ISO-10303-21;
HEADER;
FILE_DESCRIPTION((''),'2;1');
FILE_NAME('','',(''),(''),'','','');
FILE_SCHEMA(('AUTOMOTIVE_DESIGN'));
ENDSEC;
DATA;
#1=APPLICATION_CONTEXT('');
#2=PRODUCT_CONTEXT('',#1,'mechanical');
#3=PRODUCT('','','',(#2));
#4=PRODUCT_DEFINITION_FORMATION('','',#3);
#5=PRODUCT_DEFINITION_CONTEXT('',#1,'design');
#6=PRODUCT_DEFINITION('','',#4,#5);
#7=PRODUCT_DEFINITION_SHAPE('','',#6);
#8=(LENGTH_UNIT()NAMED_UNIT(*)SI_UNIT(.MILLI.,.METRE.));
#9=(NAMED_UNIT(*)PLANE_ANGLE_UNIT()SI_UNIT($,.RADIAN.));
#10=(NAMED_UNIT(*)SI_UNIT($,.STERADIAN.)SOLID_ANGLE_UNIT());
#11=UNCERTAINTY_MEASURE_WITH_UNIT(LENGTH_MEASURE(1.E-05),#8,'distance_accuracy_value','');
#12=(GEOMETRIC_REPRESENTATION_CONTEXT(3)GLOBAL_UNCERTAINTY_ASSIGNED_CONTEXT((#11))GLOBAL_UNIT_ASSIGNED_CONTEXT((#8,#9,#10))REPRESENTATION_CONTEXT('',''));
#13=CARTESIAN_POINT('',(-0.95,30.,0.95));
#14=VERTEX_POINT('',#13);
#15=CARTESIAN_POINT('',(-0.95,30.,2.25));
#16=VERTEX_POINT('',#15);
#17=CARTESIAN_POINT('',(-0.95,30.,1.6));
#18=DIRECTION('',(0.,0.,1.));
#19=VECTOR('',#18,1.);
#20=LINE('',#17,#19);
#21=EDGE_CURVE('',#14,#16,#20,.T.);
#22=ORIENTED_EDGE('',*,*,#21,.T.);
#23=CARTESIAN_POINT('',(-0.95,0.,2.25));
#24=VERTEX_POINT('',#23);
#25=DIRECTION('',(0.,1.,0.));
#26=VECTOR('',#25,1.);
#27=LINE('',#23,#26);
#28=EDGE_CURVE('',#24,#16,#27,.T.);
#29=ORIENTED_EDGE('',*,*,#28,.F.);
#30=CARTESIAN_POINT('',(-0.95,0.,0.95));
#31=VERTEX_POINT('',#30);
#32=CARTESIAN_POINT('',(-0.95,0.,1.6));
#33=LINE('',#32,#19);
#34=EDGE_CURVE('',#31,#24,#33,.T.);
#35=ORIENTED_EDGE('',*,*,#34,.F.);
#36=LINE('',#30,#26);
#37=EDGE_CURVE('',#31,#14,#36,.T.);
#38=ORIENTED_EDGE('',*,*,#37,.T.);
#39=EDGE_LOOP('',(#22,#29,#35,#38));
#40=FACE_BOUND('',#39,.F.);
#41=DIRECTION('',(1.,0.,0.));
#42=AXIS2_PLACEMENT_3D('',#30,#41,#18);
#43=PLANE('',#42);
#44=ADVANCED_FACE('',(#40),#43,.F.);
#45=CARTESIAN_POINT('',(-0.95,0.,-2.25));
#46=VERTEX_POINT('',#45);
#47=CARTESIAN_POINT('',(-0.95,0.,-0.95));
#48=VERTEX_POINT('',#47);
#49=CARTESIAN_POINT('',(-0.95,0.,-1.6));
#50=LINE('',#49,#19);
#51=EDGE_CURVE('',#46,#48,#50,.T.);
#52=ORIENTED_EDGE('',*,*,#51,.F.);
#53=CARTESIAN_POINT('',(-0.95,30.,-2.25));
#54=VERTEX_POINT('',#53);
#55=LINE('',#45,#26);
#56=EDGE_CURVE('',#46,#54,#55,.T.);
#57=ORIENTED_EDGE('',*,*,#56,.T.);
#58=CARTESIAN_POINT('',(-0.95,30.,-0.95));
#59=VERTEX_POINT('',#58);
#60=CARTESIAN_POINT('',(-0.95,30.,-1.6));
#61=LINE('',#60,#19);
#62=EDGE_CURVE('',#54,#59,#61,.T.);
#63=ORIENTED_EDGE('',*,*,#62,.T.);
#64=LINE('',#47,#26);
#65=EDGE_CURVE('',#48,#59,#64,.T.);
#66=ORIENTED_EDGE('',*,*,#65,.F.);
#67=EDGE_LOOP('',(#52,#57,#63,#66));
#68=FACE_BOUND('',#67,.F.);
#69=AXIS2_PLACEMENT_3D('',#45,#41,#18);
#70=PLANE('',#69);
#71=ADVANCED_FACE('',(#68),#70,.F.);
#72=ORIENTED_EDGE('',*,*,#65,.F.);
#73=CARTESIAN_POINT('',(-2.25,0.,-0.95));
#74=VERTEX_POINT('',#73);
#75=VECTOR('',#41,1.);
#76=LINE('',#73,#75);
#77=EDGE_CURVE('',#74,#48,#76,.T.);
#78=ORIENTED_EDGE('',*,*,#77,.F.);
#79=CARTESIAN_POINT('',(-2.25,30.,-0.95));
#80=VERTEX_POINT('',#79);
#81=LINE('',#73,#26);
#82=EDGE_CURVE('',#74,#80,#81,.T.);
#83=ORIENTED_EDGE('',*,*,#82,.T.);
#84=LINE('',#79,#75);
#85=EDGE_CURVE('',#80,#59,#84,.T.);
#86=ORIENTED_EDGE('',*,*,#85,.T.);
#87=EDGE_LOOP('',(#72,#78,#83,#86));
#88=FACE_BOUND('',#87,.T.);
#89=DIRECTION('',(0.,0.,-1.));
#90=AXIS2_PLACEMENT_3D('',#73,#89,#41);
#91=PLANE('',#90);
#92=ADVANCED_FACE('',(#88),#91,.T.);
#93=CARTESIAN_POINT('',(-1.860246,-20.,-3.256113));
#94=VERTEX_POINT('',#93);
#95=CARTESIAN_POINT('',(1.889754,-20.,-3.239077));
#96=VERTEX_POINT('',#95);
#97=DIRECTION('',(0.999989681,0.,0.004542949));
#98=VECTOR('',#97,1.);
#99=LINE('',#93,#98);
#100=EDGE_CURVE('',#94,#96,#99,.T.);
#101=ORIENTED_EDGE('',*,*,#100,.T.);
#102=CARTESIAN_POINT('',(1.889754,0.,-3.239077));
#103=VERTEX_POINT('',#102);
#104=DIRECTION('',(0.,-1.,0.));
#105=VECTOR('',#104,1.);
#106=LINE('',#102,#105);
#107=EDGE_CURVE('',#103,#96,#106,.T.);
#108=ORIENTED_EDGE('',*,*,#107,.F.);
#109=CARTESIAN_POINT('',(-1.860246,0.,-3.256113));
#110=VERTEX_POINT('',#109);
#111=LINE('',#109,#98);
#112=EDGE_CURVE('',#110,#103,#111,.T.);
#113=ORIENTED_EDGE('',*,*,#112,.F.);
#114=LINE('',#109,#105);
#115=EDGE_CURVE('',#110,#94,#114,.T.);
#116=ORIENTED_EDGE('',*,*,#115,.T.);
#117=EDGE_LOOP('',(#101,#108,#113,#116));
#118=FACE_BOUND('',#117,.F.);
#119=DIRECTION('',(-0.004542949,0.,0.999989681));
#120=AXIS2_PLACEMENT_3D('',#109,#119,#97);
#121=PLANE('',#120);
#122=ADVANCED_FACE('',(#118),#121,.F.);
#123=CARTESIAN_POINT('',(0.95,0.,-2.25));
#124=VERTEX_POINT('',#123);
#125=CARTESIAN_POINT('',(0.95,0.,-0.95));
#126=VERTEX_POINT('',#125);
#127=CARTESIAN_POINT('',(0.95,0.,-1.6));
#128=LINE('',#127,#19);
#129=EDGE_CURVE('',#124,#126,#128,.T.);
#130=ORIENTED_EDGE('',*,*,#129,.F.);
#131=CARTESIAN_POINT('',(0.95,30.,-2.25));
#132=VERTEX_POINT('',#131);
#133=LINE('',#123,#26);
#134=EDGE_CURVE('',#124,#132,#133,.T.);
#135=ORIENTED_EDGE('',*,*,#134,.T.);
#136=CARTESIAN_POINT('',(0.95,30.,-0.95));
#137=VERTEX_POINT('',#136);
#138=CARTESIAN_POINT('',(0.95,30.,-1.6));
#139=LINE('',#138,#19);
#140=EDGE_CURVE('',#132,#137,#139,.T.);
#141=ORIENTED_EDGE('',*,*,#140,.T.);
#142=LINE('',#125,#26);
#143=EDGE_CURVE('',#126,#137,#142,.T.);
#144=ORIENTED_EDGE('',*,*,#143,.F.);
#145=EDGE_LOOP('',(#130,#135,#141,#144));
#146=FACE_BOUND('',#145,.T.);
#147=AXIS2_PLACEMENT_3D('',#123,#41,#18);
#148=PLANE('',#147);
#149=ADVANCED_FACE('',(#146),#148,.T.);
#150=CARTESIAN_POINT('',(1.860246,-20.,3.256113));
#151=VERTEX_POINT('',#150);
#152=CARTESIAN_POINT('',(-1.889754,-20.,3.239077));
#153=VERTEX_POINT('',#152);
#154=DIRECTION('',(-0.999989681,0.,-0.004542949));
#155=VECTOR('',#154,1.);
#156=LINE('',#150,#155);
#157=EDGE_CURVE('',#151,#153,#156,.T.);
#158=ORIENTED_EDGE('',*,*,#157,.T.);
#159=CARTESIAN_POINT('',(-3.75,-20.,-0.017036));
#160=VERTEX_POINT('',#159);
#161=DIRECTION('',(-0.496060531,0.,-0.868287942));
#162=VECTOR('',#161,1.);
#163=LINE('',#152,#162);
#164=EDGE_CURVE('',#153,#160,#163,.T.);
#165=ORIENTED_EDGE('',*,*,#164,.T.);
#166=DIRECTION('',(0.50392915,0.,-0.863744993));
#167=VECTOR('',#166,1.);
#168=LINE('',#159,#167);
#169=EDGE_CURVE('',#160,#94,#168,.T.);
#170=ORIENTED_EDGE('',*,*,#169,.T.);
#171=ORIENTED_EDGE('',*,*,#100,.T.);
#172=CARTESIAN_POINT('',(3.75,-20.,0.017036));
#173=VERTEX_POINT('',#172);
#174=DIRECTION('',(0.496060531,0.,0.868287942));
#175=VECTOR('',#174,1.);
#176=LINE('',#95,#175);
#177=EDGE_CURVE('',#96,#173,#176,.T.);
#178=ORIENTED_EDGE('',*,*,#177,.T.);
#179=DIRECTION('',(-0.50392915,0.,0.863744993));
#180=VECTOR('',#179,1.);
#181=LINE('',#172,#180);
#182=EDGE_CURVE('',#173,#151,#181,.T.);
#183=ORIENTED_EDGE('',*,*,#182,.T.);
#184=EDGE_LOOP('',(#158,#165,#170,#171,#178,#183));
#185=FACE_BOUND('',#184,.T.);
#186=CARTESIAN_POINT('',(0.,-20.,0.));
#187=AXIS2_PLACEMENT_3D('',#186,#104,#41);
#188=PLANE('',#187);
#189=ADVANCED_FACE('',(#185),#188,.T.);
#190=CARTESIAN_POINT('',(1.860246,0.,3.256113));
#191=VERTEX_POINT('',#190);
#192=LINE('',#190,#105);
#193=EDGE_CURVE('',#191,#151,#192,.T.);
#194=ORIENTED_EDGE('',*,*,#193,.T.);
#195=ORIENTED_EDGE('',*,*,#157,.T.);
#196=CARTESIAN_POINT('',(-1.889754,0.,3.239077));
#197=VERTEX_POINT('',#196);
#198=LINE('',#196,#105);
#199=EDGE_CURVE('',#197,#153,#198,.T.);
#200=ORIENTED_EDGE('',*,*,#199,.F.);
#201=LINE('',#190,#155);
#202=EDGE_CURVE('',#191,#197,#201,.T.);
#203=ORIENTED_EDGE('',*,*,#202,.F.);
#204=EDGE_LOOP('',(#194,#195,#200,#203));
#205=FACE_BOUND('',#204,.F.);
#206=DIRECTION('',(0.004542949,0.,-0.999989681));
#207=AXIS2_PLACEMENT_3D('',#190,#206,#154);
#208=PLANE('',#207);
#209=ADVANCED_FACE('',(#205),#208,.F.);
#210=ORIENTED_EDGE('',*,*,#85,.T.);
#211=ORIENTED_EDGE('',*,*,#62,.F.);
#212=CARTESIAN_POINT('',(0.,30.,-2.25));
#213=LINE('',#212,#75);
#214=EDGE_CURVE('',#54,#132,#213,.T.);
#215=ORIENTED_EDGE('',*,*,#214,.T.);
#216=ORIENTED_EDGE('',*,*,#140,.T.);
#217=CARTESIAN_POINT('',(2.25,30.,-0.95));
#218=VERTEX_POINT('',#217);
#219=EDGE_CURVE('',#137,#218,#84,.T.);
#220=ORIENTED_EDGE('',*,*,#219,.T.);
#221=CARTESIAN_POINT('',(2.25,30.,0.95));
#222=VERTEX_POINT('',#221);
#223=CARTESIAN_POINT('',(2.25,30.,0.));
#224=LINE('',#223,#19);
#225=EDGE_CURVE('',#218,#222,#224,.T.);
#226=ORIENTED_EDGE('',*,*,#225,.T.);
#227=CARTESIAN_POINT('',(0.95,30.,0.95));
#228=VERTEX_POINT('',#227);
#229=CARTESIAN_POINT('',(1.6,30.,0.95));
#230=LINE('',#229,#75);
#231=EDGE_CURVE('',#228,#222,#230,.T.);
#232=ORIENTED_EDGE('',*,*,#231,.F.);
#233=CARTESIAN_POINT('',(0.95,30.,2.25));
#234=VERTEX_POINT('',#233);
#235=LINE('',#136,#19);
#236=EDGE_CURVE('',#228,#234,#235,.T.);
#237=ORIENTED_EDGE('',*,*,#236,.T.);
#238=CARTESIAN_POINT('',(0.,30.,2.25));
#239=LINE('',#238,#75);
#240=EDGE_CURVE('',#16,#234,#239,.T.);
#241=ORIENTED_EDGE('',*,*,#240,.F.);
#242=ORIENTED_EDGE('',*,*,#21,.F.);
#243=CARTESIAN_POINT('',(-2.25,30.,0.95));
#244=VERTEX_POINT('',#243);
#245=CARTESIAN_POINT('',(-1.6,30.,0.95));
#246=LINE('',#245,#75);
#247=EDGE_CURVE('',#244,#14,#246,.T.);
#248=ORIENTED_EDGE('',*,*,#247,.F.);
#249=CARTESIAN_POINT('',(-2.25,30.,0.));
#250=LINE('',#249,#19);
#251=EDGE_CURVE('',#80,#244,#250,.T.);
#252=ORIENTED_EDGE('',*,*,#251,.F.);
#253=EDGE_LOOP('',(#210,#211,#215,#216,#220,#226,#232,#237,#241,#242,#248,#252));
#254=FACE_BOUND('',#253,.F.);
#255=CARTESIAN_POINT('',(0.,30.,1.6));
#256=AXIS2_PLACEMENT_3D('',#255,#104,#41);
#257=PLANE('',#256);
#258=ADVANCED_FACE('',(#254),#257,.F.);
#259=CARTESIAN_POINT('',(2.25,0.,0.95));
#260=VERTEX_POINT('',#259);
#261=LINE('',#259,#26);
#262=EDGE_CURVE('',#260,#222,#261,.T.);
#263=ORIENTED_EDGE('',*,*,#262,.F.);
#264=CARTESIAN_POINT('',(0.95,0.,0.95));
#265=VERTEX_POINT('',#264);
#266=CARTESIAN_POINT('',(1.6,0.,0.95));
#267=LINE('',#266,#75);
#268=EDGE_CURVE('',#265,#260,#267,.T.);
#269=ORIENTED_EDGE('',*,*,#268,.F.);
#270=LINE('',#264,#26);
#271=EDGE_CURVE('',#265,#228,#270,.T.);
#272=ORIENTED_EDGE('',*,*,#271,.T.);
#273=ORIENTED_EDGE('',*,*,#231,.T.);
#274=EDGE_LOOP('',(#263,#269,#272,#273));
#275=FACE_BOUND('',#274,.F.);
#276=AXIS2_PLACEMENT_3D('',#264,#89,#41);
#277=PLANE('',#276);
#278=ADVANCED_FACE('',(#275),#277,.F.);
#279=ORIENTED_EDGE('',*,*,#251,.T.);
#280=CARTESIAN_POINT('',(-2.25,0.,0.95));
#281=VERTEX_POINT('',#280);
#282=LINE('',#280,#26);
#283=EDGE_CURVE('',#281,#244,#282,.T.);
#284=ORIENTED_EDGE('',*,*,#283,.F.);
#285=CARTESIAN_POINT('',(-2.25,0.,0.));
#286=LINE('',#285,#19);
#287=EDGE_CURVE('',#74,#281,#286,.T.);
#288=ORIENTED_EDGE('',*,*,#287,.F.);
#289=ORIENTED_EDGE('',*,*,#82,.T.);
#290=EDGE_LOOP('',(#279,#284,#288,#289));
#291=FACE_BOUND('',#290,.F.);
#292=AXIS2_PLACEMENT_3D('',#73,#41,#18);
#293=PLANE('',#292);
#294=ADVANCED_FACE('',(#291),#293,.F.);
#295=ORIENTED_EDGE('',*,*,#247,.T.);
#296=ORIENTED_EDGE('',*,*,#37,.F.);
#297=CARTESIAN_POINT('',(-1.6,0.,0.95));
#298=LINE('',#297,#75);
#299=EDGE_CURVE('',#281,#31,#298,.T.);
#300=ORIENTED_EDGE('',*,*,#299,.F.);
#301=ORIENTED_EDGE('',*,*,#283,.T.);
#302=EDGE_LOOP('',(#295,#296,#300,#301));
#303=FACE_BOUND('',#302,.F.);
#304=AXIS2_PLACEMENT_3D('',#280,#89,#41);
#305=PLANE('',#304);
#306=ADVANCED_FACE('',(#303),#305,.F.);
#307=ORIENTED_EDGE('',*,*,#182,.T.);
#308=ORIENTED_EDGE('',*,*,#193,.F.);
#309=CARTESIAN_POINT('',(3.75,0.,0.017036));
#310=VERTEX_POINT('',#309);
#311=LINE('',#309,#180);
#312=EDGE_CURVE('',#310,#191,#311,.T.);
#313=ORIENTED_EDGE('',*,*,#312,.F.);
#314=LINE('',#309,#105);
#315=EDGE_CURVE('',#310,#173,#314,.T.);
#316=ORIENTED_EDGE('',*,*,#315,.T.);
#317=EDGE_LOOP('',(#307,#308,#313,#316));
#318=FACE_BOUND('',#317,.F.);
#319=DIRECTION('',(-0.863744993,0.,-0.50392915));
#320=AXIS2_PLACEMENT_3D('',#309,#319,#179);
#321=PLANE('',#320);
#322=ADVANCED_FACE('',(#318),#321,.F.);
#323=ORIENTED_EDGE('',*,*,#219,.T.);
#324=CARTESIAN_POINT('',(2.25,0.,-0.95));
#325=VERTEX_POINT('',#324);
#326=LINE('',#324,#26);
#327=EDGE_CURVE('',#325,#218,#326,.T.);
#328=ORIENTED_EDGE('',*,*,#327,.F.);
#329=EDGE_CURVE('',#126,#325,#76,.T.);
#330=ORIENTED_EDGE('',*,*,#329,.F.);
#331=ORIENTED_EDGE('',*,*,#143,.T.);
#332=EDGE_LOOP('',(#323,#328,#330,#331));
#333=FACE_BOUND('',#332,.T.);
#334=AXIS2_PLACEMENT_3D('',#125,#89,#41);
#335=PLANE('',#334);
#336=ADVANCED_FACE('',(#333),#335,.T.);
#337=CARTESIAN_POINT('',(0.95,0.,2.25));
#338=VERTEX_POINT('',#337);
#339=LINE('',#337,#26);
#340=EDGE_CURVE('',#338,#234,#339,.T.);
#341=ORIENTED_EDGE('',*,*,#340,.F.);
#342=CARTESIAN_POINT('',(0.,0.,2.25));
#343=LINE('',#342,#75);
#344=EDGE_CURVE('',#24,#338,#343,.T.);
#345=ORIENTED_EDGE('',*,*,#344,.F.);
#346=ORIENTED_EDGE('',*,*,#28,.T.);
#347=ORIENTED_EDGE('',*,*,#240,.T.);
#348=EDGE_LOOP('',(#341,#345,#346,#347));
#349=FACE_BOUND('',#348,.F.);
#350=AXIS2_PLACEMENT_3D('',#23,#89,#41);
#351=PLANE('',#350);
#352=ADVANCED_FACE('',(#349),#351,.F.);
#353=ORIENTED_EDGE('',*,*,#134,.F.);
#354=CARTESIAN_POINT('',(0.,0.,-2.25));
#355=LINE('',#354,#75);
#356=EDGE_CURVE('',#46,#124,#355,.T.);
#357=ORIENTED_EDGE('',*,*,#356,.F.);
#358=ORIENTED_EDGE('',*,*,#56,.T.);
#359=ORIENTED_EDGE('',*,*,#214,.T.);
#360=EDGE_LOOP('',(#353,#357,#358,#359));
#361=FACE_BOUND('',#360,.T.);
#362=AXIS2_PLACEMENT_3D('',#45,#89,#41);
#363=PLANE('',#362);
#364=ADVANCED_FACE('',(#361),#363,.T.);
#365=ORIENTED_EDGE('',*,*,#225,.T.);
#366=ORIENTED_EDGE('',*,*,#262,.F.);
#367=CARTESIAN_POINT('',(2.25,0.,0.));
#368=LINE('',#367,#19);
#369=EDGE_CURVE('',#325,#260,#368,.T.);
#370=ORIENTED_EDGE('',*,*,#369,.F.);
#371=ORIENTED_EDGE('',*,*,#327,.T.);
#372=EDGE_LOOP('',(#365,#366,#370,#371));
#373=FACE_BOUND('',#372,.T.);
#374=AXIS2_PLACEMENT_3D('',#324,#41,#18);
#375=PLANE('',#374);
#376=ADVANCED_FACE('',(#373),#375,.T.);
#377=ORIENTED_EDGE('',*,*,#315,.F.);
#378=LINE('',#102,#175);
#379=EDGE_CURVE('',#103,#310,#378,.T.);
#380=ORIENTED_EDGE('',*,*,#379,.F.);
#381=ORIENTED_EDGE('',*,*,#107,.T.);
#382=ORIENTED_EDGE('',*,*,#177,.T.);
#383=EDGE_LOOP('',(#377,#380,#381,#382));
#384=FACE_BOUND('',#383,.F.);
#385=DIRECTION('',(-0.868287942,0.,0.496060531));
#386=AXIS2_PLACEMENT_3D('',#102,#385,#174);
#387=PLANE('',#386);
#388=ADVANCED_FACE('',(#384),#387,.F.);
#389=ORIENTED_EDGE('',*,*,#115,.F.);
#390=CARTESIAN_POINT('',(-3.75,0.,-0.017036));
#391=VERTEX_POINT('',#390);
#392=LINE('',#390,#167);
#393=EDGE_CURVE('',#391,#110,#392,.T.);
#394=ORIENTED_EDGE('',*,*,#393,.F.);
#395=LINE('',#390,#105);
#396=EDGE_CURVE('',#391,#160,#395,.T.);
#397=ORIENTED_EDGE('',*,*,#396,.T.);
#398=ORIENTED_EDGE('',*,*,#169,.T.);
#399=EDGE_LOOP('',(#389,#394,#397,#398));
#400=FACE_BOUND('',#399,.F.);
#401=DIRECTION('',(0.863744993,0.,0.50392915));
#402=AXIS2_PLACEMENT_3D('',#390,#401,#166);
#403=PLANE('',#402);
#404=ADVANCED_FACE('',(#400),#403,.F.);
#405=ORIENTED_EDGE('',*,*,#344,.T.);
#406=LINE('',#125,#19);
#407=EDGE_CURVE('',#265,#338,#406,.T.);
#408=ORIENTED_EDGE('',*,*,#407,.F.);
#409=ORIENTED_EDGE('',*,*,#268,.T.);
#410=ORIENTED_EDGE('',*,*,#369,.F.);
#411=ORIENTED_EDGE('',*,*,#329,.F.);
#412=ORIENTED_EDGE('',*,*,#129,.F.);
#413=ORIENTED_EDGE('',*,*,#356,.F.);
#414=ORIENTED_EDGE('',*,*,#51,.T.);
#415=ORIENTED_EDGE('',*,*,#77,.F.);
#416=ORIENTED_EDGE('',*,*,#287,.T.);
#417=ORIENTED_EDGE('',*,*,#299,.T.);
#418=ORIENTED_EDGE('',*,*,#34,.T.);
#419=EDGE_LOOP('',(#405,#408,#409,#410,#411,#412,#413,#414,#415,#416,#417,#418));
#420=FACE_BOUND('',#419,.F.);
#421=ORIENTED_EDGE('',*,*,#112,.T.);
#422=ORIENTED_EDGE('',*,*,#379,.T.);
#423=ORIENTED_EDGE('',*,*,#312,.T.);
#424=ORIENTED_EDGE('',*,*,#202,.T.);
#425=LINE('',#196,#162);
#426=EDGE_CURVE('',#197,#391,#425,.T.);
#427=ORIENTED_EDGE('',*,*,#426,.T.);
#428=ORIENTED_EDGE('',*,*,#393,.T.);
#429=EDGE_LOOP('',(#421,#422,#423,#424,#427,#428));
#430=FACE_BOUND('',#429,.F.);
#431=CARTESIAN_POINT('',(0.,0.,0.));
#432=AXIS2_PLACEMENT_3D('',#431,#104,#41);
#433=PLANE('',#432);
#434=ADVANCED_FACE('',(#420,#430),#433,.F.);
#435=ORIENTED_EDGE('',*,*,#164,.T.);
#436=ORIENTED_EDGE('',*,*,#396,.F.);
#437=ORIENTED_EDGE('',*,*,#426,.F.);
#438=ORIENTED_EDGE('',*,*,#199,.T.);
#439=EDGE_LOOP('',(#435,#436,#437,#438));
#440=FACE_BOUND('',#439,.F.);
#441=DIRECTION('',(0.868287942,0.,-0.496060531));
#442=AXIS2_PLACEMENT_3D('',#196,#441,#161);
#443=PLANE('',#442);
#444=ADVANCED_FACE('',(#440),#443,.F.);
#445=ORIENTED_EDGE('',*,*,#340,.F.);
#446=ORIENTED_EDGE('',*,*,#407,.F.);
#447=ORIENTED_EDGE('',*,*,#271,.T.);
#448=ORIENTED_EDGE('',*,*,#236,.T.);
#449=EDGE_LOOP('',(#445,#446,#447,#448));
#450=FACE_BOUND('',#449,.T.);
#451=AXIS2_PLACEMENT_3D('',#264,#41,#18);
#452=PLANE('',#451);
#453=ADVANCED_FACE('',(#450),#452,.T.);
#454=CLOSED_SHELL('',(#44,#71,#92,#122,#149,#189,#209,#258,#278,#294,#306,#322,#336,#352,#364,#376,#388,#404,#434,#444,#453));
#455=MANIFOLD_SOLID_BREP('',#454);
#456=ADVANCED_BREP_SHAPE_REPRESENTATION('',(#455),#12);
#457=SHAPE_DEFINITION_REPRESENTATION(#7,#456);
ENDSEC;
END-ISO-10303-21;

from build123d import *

# Parameters (mm, degrees)
F1_DEPTH = 20
F2_W     = 1.9
F2_H     = 1.3
F2_W_2   = 1.3
F2_H_2   = 1.9
F3_DEPTH = 30


with BuildPart() as f1:
    # F0 (on Front) → F1 (new body)
    with BuildSketch(Plane.XZ):
        Polygon((3.75, 0.0170362348), (1.8602461879, 3.2561133816), (-1.8897538121, 3.2390771468), (-3.75, -0.0170362348), (-1.8602461879, -3.2561133816), (1.8897538121, -3.2390771468), align=None)
    extrude(amount=F1_DEPTH)

    # F2 (on Front) → F3 (join)
    with BuildSketch(Plane.XZ):
        with Locations((0, 1.6)):
            Rectangle(F2_W, F2_H)
        with Locations((-1.6, 0)):
            Rectangle(F2_W_2, F2_H_2)
        Rectangle(F2_W, F2_H_2)
        with Locations((1.6, 0)):
            Rectangle(F2_W_2, F2_H_2)
        with Locations((0, -1.6)):
            Rectangle(F2_W, F2_H)
    extrude(amount=-F3_DEPTH)


solid = f1.part
